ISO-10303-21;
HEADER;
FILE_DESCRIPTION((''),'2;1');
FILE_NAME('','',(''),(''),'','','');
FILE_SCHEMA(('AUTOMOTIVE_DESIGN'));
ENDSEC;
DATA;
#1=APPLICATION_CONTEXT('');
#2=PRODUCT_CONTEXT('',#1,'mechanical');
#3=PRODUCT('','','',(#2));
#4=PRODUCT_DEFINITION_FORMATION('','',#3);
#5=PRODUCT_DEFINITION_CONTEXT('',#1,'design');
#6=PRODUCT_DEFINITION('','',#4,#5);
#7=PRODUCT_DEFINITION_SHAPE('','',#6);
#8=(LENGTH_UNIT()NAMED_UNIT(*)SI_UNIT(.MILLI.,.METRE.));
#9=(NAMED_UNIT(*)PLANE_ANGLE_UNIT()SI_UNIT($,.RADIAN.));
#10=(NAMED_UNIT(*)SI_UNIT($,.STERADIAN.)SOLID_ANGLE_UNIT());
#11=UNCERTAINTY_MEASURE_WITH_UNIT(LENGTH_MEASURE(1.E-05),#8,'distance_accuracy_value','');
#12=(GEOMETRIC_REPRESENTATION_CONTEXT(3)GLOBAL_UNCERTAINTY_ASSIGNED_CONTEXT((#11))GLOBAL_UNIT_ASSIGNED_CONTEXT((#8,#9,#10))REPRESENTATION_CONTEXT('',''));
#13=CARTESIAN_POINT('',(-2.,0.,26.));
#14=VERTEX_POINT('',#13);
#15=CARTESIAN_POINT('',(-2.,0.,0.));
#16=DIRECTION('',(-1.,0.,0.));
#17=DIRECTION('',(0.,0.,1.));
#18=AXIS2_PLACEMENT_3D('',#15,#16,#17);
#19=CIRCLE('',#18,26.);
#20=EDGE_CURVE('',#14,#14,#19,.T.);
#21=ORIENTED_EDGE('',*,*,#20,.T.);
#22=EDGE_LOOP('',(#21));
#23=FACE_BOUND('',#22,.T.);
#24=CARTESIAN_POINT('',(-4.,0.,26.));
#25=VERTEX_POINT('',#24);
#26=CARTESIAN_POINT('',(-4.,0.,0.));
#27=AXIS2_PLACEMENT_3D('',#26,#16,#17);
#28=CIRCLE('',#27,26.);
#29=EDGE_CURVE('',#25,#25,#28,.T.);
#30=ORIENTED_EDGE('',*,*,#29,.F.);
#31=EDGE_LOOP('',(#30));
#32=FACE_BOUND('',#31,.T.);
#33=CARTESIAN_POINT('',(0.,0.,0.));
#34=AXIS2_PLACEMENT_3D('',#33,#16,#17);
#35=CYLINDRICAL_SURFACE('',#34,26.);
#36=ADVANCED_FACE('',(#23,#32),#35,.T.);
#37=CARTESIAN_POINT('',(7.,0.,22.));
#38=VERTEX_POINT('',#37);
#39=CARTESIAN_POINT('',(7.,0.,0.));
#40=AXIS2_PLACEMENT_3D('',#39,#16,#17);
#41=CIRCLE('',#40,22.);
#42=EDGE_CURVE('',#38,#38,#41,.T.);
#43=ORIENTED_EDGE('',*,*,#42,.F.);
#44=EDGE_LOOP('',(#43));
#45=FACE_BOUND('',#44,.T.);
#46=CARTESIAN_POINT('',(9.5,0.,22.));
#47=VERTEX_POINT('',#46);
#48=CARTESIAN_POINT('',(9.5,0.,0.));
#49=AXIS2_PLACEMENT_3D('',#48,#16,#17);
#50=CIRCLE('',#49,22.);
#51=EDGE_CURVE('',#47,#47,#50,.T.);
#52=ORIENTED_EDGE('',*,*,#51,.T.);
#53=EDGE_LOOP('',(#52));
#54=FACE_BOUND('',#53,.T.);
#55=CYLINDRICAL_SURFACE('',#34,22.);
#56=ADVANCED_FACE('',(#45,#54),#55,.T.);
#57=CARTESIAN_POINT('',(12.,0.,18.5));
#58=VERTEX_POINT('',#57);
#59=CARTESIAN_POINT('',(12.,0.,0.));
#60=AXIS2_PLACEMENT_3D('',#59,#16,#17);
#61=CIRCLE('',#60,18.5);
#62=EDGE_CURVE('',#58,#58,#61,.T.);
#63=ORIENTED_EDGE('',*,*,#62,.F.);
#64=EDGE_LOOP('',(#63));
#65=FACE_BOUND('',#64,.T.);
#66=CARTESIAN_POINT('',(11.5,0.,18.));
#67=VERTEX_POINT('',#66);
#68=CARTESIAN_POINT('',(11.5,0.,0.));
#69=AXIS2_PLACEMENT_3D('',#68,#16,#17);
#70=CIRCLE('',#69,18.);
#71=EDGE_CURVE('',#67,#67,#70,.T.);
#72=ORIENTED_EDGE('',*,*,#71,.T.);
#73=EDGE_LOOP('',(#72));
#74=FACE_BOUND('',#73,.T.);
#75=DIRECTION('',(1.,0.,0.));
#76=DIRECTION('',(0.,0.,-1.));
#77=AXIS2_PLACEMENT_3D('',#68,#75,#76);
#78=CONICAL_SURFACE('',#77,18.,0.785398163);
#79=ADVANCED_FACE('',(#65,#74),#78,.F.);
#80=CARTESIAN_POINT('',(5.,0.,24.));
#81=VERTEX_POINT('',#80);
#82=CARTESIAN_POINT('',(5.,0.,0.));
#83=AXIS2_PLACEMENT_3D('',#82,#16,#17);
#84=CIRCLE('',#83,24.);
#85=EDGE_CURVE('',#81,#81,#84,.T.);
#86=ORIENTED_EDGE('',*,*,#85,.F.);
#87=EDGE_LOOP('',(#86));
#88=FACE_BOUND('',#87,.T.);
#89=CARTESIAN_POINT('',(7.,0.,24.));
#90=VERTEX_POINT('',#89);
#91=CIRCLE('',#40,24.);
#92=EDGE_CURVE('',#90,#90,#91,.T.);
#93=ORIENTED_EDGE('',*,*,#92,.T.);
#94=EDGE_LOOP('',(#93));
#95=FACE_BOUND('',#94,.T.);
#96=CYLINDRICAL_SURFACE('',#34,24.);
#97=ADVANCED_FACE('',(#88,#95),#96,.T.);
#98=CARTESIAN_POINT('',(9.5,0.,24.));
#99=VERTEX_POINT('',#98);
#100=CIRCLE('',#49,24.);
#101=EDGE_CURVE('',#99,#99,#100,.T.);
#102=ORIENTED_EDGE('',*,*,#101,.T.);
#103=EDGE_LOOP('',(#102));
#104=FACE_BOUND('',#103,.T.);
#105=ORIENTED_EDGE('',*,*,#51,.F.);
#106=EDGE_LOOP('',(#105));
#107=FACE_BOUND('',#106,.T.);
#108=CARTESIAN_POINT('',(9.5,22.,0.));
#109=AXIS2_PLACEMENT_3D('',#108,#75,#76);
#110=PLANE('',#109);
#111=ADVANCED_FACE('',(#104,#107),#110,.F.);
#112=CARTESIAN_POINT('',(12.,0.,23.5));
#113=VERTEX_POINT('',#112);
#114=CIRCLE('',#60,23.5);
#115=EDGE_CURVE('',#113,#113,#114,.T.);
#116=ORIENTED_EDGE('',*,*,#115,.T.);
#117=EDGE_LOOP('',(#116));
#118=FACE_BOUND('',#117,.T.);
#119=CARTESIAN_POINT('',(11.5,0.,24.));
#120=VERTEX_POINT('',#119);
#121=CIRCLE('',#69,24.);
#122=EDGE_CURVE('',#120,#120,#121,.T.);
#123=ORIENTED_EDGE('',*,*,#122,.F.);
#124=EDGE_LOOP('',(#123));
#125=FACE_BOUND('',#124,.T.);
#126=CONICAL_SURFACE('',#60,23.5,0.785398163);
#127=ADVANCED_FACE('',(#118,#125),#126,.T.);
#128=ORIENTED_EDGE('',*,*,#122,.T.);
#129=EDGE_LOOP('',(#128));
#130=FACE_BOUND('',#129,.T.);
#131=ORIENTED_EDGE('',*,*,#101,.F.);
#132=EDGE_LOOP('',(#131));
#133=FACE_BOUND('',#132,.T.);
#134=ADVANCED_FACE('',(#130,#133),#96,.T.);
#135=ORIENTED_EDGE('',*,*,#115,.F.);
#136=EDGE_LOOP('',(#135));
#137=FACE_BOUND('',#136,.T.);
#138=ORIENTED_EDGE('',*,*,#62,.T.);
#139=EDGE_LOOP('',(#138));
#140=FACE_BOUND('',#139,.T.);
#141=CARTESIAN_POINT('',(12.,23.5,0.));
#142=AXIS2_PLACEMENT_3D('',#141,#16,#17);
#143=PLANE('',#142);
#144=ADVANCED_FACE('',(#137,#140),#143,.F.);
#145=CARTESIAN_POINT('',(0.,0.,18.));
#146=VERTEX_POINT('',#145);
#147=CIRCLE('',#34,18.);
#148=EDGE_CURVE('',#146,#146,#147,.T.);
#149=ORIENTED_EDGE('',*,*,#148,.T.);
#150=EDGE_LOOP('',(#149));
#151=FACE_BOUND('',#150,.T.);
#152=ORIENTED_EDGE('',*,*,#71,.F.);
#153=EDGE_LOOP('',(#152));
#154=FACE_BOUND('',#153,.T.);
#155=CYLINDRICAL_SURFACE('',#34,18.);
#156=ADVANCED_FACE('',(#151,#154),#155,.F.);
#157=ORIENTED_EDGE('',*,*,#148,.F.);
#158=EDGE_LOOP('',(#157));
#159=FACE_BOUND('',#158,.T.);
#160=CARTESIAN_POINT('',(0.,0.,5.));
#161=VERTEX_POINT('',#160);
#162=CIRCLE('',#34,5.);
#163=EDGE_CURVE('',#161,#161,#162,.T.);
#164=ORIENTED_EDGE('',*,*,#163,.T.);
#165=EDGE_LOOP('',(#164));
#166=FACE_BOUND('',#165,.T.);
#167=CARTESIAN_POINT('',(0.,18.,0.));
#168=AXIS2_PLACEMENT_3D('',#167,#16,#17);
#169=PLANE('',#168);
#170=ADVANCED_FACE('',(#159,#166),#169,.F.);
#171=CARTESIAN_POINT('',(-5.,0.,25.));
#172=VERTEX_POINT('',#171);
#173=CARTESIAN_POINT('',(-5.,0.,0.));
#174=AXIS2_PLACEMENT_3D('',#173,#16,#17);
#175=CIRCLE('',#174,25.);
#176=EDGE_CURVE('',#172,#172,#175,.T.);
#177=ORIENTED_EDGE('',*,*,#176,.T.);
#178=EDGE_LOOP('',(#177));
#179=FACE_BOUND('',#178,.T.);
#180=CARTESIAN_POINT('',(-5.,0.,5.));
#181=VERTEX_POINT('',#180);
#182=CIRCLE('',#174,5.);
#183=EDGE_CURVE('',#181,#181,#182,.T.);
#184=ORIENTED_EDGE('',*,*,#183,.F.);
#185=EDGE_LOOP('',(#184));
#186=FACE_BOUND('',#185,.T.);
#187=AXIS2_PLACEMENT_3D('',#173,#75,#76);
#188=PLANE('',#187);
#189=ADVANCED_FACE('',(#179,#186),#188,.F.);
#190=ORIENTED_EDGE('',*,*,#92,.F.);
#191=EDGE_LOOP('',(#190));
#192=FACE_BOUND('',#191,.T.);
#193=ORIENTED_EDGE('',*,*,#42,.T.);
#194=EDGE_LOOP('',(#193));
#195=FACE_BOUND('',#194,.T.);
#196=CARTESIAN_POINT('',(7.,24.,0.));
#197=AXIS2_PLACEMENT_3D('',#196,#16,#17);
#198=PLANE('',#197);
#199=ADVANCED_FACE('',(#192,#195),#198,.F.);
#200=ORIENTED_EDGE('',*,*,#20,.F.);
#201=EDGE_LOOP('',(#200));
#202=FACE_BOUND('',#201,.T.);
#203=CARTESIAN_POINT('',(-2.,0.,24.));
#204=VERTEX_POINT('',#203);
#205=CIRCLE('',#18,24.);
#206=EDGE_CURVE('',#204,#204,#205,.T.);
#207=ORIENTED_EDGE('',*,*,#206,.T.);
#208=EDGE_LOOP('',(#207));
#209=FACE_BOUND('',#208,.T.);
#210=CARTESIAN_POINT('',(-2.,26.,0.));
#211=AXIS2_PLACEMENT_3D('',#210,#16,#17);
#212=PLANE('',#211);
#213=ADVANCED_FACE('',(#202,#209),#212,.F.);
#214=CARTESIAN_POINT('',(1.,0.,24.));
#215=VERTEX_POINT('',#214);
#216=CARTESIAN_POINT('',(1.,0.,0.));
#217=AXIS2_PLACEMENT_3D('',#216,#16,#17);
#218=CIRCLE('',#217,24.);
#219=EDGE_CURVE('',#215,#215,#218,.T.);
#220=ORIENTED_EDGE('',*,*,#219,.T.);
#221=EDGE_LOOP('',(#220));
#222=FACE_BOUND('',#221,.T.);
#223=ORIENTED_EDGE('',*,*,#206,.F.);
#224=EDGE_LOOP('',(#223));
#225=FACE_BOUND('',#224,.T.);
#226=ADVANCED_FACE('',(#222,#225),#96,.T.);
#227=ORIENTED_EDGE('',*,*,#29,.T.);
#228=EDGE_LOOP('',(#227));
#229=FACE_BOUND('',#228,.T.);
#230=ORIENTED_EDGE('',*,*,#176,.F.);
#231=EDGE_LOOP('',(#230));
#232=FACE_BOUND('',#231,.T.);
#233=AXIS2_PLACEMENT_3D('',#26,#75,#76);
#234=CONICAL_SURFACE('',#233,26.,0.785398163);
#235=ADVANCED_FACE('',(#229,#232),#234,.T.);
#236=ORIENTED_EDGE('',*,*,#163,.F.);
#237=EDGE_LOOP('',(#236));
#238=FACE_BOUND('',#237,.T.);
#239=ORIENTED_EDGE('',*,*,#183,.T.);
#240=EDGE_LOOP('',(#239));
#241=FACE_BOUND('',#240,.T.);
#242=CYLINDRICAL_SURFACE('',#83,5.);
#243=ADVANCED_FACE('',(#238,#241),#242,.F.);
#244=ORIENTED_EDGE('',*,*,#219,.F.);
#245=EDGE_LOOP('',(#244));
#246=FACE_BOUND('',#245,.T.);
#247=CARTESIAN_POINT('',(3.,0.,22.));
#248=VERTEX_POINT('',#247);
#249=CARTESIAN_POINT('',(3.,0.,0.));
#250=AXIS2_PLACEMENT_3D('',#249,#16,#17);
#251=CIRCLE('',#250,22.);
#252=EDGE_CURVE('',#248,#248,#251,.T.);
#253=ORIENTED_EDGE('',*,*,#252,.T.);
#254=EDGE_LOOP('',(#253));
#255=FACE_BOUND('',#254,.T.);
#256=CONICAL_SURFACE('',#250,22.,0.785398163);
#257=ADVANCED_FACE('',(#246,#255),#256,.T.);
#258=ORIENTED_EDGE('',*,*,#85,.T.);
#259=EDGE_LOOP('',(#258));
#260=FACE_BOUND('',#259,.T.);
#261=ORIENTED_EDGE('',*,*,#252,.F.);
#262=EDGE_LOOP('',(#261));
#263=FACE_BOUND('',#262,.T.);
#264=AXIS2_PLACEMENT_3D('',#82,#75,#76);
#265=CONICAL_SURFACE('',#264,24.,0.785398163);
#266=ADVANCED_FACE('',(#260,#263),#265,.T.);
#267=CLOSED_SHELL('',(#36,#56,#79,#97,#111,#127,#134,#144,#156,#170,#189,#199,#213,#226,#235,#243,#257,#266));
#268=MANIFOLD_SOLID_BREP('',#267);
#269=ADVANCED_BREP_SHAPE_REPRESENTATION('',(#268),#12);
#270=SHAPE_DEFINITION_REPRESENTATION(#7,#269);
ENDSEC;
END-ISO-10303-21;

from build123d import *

# Parameters (mm, degrees)
SKETCH_2_R          = 5
CUT_EXTRUDE_1_DEPTH = 10


with BuildPart() as part:
    # Эскиз1 → Повернуть1 (revolve)
    with BuildSketch(Plane.XY, mode=Mode.PRIVATE) as revolve_1_sk:
        Polygon((-5, 0), (-5, 25), (-4, 26), (-2, 26), (-2, 24), (1, 24), (3, 22), (5, 24), (7, 24), (7, 22), (9.5, 22), (9.5, 24), (11.5, 24), (12, 23.5), (12, 18.5), (11.5, 18), (0, 18), (0, 0), align=None)
    revolve(revolve_1_sk.sketch.rotate(Axis((0, 0, 0), (1, 0, 0)), 90), axis=Axis((0, 0, 0), (1, 0, 0)))

    # Эскиз2 → Вырез-Вытянуть1 (cut)
    with BuildSketch(Plane.ZY.offset(5)):
        Circle(SKETCH_2_R)
    extrude(amount=-CUT_EXTRUDE_1_DEPTH, mode=Mode.SUBTRACT)


solid = part.part
